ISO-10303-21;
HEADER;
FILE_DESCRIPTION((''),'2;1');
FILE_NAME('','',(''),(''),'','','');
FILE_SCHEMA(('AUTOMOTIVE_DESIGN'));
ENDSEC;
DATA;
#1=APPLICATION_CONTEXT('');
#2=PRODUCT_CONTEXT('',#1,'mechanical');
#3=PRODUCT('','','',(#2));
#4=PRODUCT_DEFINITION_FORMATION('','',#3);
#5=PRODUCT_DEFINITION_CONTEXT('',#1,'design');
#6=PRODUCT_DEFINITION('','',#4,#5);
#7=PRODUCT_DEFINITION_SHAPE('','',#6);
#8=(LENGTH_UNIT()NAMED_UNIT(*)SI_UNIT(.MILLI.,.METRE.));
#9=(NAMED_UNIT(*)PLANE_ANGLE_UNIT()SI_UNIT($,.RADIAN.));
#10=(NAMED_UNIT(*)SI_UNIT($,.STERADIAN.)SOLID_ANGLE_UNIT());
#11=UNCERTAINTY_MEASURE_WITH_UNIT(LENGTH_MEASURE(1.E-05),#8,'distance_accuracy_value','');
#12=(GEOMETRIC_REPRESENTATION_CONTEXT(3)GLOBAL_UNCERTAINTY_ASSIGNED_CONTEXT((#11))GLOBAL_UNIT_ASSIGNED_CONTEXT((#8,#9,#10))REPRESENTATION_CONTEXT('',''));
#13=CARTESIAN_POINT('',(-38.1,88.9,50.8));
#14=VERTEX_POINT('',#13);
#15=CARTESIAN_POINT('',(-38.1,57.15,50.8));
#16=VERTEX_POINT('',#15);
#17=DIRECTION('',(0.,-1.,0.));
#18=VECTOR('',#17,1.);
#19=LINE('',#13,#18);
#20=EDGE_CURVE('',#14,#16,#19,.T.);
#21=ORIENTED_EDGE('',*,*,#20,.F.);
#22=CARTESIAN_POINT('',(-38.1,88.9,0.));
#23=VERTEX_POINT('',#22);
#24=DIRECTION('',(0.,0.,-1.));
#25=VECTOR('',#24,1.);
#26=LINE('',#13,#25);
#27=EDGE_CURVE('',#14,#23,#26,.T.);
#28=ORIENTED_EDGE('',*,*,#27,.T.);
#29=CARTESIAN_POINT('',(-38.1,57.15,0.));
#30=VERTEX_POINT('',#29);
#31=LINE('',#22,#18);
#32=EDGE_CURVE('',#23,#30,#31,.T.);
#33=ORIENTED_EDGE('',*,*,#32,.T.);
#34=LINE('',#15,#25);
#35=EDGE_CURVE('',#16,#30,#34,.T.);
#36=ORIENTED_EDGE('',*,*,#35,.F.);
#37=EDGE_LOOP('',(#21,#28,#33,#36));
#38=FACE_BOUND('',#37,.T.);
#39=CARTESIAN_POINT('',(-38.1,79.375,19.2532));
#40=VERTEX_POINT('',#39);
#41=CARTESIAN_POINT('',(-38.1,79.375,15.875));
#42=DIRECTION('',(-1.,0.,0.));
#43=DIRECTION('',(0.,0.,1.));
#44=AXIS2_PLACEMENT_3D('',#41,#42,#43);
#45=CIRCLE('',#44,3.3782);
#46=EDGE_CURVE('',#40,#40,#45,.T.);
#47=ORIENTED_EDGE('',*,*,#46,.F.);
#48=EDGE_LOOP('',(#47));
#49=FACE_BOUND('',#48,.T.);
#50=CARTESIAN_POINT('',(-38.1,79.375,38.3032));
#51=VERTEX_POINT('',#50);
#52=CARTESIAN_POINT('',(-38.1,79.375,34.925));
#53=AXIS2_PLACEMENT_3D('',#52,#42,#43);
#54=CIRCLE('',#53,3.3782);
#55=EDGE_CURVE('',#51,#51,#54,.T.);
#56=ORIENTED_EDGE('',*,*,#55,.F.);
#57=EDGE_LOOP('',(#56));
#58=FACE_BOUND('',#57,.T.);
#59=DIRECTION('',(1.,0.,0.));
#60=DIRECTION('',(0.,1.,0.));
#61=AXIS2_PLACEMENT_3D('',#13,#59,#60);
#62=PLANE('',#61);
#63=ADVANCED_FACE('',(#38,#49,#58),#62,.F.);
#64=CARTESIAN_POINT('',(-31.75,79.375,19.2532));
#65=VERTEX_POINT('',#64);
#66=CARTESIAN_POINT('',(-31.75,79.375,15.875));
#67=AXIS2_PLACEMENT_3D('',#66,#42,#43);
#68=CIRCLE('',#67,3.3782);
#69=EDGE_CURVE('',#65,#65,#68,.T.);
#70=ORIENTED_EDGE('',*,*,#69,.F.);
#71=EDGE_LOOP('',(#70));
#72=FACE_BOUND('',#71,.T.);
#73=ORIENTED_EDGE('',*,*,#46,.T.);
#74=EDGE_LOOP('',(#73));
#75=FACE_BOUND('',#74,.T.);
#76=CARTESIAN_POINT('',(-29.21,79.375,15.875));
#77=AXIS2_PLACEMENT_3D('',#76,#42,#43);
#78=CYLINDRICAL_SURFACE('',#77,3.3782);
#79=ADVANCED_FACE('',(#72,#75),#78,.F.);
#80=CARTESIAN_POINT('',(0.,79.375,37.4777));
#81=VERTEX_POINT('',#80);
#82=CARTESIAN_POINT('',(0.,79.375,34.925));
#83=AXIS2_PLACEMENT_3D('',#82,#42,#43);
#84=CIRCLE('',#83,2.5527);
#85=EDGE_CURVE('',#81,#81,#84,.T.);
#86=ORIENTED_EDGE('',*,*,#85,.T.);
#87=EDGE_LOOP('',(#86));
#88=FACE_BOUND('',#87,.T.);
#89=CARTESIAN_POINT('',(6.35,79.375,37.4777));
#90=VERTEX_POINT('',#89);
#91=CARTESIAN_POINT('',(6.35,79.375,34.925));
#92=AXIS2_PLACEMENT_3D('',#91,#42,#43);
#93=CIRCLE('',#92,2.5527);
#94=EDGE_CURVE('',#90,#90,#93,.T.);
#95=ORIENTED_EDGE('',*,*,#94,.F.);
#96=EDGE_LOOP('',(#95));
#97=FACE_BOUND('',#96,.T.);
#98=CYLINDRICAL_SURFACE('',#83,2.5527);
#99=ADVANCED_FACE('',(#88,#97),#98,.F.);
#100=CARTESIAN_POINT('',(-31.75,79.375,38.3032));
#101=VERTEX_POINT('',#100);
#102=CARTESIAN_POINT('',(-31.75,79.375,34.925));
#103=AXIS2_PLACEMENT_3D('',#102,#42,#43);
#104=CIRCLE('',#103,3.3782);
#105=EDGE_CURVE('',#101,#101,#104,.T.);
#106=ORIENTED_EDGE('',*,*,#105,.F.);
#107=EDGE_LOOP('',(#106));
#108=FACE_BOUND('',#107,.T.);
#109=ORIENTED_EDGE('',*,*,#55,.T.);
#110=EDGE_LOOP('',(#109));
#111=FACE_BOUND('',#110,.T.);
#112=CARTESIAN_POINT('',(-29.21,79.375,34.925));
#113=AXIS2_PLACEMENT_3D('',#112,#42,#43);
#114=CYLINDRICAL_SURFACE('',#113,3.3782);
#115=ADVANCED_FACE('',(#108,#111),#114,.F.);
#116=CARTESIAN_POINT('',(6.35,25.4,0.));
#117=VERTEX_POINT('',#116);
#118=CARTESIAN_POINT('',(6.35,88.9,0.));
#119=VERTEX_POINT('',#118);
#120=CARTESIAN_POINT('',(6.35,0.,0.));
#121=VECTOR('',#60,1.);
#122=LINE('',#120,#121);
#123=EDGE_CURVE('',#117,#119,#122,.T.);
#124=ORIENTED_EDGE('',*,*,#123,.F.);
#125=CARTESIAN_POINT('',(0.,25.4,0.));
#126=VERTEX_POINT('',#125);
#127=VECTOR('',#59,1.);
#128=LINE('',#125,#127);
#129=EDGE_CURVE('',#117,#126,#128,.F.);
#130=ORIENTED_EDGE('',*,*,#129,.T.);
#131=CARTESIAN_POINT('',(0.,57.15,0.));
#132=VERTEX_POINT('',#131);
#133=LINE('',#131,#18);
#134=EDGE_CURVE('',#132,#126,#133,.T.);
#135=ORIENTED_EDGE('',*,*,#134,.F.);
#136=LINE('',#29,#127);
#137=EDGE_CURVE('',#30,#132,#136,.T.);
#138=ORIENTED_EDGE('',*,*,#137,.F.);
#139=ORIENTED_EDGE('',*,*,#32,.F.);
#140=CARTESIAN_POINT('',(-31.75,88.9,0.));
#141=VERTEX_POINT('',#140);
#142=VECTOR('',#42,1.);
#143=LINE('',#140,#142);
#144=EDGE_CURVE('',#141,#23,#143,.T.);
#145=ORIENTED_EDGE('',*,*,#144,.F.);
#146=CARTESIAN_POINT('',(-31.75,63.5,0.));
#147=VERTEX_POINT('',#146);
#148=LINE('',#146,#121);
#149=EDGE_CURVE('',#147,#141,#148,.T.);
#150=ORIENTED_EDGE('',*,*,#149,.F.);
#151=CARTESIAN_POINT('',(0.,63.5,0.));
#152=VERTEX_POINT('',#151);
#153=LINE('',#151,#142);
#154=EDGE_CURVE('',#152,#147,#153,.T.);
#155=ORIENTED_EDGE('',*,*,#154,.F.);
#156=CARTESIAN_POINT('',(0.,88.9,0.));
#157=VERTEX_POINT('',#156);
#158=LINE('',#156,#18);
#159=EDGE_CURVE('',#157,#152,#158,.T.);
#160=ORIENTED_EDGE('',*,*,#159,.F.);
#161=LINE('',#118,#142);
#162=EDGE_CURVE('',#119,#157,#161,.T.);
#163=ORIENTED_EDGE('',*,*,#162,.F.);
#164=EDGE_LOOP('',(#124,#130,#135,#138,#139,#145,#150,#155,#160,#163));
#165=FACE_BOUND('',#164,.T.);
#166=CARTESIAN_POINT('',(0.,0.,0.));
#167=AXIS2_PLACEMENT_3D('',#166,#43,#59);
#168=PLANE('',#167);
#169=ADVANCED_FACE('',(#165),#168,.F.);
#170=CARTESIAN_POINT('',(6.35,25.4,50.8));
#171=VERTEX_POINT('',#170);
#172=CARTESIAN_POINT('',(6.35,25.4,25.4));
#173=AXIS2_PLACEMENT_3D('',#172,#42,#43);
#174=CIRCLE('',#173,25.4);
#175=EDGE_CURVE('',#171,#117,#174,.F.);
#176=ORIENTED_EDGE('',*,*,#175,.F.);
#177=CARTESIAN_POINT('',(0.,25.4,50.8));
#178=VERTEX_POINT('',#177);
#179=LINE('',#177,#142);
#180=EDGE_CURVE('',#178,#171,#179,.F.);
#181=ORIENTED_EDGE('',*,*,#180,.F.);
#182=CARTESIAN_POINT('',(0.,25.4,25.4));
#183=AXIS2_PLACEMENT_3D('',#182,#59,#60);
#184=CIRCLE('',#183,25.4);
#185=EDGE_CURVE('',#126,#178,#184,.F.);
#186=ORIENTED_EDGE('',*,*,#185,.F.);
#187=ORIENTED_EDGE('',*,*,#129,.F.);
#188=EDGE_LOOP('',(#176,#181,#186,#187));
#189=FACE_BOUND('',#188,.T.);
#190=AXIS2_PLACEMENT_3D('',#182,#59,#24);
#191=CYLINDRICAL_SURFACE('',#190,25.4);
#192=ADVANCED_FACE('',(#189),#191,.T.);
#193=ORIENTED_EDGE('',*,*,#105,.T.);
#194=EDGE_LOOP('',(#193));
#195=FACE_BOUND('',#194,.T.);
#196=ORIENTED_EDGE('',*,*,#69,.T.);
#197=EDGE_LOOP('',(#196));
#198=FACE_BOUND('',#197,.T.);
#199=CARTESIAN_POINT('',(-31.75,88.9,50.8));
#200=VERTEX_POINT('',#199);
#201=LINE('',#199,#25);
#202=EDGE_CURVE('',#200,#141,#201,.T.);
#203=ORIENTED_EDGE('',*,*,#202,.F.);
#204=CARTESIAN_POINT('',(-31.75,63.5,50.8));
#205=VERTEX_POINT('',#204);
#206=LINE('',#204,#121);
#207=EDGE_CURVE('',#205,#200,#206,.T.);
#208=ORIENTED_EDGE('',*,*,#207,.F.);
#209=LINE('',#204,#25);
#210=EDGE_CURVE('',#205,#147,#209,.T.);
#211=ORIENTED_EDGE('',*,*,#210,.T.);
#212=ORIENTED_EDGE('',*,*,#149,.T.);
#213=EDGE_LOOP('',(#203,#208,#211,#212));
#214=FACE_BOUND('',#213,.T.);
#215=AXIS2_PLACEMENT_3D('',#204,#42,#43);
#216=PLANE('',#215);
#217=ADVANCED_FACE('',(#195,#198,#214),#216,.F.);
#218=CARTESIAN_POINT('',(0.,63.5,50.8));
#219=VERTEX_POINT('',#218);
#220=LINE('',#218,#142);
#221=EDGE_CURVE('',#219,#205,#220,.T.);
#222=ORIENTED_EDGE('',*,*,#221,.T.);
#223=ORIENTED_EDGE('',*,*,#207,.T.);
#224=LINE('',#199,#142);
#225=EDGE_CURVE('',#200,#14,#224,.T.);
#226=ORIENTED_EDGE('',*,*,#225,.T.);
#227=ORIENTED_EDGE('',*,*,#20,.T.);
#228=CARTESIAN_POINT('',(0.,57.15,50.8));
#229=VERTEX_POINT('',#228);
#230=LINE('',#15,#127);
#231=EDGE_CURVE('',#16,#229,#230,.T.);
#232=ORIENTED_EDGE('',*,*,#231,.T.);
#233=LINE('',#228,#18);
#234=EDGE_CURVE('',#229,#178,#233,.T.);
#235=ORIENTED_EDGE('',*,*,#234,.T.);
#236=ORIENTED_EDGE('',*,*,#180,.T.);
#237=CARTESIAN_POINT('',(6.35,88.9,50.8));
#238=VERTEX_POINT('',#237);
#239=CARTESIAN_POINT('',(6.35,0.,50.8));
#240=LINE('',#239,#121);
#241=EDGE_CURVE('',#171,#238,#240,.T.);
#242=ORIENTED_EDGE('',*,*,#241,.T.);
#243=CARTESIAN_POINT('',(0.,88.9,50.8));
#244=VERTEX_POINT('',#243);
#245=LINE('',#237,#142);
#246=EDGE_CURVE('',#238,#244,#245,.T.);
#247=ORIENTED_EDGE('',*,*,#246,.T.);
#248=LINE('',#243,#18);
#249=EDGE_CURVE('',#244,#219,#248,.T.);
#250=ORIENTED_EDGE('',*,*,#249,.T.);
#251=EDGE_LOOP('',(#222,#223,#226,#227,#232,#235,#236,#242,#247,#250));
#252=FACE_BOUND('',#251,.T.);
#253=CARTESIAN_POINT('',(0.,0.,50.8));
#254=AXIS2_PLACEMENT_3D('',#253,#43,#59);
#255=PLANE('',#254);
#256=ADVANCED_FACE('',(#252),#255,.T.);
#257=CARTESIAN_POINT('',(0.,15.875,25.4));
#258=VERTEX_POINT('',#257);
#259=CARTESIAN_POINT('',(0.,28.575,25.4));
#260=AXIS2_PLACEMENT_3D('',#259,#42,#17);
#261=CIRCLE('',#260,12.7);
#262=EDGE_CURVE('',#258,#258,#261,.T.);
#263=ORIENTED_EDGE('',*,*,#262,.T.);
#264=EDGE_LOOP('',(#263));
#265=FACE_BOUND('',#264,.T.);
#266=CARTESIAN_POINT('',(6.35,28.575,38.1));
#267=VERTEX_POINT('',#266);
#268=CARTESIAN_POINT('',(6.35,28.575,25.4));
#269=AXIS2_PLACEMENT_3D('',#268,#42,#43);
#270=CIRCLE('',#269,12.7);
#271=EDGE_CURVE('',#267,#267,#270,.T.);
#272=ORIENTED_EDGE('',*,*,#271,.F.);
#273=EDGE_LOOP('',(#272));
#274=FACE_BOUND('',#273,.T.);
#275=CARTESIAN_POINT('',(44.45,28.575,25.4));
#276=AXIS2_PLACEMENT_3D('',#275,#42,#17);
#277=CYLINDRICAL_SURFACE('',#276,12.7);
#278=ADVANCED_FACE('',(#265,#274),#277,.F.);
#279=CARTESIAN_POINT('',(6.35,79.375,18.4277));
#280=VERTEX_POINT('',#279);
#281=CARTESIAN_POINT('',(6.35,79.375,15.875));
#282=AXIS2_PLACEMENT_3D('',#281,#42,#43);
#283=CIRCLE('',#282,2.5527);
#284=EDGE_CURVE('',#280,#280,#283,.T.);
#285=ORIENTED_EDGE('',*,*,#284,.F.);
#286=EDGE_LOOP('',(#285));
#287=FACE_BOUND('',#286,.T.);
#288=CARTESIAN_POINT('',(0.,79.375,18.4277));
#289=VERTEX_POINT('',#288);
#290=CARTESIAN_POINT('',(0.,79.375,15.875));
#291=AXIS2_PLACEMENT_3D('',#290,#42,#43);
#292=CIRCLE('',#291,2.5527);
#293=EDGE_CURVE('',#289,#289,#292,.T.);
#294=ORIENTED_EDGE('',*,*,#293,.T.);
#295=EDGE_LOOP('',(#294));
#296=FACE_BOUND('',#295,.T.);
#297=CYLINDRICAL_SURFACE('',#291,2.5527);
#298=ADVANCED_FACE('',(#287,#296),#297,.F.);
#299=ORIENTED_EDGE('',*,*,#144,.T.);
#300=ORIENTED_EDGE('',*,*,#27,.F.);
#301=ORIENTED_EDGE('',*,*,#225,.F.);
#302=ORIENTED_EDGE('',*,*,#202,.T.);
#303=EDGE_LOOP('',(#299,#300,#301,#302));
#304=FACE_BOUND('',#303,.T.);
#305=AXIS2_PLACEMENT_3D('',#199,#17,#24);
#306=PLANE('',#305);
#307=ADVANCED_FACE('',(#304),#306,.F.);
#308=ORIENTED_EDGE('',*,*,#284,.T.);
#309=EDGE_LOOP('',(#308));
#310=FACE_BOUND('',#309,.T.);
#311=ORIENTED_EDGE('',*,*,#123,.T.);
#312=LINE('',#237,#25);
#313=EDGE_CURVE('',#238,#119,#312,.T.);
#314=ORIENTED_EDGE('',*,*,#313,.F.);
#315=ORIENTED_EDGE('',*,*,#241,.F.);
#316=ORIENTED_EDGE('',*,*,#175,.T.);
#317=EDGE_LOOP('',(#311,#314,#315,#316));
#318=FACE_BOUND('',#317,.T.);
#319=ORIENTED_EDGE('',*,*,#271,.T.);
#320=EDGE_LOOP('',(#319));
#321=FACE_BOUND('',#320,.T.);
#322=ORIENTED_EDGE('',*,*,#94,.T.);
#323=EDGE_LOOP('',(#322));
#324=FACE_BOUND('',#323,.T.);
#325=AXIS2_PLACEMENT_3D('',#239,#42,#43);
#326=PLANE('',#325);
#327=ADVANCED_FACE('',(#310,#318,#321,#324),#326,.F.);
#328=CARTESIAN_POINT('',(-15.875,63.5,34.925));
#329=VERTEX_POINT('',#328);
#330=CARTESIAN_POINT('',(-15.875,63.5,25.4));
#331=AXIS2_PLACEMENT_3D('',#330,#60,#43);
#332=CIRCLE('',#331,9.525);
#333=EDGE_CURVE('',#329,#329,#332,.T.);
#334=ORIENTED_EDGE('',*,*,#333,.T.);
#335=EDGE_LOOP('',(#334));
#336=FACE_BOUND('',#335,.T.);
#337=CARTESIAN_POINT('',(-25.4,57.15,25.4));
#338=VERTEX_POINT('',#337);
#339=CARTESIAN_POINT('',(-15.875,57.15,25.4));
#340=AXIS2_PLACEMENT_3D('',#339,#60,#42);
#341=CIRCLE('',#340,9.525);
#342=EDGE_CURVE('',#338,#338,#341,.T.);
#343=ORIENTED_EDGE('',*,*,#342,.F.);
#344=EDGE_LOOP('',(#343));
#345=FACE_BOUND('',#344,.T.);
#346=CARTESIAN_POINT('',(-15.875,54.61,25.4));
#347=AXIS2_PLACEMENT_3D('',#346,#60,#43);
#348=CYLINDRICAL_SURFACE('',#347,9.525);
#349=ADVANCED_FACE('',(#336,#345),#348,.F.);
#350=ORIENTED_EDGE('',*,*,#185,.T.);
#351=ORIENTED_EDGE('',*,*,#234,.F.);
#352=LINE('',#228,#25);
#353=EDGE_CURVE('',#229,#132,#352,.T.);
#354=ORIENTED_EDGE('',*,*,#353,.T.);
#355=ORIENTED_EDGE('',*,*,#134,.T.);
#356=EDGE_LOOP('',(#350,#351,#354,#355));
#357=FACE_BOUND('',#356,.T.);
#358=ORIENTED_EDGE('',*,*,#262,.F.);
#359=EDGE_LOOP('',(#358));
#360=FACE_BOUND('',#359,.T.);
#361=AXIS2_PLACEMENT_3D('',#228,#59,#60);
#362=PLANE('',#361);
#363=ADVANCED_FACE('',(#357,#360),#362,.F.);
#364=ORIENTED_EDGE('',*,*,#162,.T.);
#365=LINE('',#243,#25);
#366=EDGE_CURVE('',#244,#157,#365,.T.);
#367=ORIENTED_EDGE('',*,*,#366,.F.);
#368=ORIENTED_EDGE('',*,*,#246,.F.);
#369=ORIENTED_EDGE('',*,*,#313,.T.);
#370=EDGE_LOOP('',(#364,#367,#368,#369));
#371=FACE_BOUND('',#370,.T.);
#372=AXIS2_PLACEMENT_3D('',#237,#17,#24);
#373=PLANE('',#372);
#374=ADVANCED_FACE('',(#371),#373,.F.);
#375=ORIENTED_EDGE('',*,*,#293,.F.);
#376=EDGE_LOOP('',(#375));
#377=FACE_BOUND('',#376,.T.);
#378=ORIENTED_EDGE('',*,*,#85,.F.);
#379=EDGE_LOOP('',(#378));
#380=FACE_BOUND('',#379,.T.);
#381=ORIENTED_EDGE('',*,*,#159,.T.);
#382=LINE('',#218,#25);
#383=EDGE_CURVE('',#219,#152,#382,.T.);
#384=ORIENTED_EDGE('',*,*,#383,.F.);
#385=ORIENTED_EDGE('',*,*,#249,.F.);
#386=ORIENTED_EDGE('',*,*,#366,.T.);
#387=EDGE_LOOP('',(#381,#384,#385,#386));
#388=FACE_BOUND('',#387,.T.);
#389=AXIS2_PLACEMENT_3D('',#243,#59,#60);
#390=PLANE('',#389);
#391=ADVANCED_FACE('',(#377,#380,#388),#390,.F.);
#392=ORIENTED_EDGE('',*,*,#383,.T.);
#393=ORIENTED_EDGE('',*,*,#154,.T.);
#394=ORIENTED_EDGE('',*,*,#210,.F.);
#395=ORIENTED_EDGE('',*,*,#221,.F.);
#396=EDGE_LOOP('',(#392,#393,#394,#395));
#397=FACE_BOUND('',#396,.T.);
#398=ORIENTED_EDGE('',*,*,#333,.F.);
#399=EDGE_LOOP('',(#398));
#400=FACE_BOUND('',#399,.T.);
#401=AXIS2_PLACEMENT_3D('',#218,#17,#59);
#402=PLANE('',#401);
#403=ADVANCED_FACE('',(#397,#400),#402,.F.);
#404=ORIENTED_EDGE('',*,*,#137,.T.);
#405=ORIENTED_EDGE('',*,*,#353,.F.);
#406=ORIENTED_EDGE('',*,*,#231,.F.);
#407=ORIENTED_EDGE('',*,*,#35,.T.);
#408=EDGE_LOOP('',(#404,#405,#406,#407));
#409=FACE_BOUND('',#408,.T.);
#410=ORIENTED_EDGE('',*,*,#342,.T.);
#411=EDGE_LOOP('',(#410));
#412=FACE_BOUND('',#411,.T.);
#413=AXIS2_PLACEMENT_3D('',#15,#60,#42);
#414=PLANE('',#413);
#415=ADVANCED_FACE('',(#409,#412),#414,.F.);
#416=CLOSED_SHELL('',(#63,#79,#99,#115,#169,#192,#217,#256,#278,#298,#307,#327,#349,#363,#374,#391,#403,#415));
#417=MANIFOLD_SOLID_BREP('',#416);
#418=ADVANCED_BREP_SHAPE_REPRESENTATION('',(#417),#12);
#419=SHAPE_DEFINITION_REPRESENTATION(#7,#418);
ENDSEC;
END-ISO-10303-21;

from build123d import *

# Parameters (mm, degrees)
BOSS_EXTRUDE1_DEPTH         = 50.8
SKETCH2_R                   = 12.7
CUT_EXTRUDE1_DEPTH          = 44.45
F_1_4_20_TAPPED_HOLE1_D     = 5.1054
F_1_4_20_TAPPED_HOLE1_DEPTH = 6.35
SKETCH5_R                   = 3.3782
CUT_EXTRUDE2_DEPTH          = 8.89
SKETCH6_R                   = 9.525
CUT_EXTRUDE3_DEPTH          = 8.89
FILLET1_RADIUS              = 25.4
FILLET1_LENGTH              = 6.35


with BuildPart() as part:
    # Sketch1 → Boss-Extrude1 (new body)
    with BuildSketch(Plane.XY):
        Polygon((0, 0), (6.35, 0), (6.35, 88.9), (0, 88.9), (0, 63.5), (-31.75, 63.5), (-31.75, 88.9), (-38.1, 88.9), (-38.1, 57.15), (0, 57.15), align=None)
    extrude(amount=BOSS_EXTRUDE1_DEPTH)

    # Sketch2 → Cut-Extrude1 (cut)
    with BuildSketch(Plane.ZY):
        with Locations(Location((25.4, 28.575, 0), (0, 0, 270))):
            Circle(SKETCH2_R)
    extrude(amount=-CUT_EXTRUDE1_DEPTH, mode=Mode.SUBTRACT)

    # 1/4-20 Tapped Hole1
    with Locations(Plane.ZY):
        with Locations((15.875, 79.375), (34.925, 79.375)):
            Hole(F_1_4_20_TAPPED_HOLE1_D / 2, depth=F_1_4_20_TAPPED_HOLE1_DEPTH)

    # Sketch5 → Cut-Extrude2 (cut)
    with BuildSketch(Plane.ZY.offset(38.1)):
        with Locations((15.875, 79.375)):
            Circle(SKETCH5_R)
        with Locations((34.925, 79.375)):
            Circle(SKETCH5_R)
    extrude(amount=-CUT_EXTRUDE2_DEPTH, mode=Mode.SUBTRACT)

    # Sketch6 → Cut-Extrude3 (cut)
    with BuildSketch(Plane(origin=(0, 63.5, 0), x_dir=(1, 0, 0), z_dir=(0, 1, 0))):
        with Locations(Location((-15.875, -25.4, 0), (0, 0, 270))):
            Circle(SKETCH6_R)
    extrude(amount=-CUT_EXTRUDE3_DEPTH, mode=Mode.SUBTRACT)

    # Fillet1: full round fillet: the end face becomes a half cylinder, R = half its width
    fillet1_face = Plane((3.175, 0, 25.4), x_dir=(1, 0, 0), z_dir=(0, -1, 0))  # on the end face: x along it, z out of the body
    fillet1_slab = fillet1_face.offset(-FILLET1_RADIUS / 2) * Box(FILLET1_LENGTH, 2 * FILLET1_RADIUS, FILLET1_RADIUS, mode=Mode.PRIVATE)  # the body's end, R deep
    fillet1_round = Plane((3.175, 25.4, 25.4), x_dir=(0, -1, 0), z_dir=(1, 0, 0)) * Cylinder(FILLET1_RADIUS, FILLET1_LENGTH, mode=Mode.PRIVATE)  # its axis R under the face
    add(fillet1_slab - fillet1_round, mode=Mode.SUBTRACT)


solid = part.part
